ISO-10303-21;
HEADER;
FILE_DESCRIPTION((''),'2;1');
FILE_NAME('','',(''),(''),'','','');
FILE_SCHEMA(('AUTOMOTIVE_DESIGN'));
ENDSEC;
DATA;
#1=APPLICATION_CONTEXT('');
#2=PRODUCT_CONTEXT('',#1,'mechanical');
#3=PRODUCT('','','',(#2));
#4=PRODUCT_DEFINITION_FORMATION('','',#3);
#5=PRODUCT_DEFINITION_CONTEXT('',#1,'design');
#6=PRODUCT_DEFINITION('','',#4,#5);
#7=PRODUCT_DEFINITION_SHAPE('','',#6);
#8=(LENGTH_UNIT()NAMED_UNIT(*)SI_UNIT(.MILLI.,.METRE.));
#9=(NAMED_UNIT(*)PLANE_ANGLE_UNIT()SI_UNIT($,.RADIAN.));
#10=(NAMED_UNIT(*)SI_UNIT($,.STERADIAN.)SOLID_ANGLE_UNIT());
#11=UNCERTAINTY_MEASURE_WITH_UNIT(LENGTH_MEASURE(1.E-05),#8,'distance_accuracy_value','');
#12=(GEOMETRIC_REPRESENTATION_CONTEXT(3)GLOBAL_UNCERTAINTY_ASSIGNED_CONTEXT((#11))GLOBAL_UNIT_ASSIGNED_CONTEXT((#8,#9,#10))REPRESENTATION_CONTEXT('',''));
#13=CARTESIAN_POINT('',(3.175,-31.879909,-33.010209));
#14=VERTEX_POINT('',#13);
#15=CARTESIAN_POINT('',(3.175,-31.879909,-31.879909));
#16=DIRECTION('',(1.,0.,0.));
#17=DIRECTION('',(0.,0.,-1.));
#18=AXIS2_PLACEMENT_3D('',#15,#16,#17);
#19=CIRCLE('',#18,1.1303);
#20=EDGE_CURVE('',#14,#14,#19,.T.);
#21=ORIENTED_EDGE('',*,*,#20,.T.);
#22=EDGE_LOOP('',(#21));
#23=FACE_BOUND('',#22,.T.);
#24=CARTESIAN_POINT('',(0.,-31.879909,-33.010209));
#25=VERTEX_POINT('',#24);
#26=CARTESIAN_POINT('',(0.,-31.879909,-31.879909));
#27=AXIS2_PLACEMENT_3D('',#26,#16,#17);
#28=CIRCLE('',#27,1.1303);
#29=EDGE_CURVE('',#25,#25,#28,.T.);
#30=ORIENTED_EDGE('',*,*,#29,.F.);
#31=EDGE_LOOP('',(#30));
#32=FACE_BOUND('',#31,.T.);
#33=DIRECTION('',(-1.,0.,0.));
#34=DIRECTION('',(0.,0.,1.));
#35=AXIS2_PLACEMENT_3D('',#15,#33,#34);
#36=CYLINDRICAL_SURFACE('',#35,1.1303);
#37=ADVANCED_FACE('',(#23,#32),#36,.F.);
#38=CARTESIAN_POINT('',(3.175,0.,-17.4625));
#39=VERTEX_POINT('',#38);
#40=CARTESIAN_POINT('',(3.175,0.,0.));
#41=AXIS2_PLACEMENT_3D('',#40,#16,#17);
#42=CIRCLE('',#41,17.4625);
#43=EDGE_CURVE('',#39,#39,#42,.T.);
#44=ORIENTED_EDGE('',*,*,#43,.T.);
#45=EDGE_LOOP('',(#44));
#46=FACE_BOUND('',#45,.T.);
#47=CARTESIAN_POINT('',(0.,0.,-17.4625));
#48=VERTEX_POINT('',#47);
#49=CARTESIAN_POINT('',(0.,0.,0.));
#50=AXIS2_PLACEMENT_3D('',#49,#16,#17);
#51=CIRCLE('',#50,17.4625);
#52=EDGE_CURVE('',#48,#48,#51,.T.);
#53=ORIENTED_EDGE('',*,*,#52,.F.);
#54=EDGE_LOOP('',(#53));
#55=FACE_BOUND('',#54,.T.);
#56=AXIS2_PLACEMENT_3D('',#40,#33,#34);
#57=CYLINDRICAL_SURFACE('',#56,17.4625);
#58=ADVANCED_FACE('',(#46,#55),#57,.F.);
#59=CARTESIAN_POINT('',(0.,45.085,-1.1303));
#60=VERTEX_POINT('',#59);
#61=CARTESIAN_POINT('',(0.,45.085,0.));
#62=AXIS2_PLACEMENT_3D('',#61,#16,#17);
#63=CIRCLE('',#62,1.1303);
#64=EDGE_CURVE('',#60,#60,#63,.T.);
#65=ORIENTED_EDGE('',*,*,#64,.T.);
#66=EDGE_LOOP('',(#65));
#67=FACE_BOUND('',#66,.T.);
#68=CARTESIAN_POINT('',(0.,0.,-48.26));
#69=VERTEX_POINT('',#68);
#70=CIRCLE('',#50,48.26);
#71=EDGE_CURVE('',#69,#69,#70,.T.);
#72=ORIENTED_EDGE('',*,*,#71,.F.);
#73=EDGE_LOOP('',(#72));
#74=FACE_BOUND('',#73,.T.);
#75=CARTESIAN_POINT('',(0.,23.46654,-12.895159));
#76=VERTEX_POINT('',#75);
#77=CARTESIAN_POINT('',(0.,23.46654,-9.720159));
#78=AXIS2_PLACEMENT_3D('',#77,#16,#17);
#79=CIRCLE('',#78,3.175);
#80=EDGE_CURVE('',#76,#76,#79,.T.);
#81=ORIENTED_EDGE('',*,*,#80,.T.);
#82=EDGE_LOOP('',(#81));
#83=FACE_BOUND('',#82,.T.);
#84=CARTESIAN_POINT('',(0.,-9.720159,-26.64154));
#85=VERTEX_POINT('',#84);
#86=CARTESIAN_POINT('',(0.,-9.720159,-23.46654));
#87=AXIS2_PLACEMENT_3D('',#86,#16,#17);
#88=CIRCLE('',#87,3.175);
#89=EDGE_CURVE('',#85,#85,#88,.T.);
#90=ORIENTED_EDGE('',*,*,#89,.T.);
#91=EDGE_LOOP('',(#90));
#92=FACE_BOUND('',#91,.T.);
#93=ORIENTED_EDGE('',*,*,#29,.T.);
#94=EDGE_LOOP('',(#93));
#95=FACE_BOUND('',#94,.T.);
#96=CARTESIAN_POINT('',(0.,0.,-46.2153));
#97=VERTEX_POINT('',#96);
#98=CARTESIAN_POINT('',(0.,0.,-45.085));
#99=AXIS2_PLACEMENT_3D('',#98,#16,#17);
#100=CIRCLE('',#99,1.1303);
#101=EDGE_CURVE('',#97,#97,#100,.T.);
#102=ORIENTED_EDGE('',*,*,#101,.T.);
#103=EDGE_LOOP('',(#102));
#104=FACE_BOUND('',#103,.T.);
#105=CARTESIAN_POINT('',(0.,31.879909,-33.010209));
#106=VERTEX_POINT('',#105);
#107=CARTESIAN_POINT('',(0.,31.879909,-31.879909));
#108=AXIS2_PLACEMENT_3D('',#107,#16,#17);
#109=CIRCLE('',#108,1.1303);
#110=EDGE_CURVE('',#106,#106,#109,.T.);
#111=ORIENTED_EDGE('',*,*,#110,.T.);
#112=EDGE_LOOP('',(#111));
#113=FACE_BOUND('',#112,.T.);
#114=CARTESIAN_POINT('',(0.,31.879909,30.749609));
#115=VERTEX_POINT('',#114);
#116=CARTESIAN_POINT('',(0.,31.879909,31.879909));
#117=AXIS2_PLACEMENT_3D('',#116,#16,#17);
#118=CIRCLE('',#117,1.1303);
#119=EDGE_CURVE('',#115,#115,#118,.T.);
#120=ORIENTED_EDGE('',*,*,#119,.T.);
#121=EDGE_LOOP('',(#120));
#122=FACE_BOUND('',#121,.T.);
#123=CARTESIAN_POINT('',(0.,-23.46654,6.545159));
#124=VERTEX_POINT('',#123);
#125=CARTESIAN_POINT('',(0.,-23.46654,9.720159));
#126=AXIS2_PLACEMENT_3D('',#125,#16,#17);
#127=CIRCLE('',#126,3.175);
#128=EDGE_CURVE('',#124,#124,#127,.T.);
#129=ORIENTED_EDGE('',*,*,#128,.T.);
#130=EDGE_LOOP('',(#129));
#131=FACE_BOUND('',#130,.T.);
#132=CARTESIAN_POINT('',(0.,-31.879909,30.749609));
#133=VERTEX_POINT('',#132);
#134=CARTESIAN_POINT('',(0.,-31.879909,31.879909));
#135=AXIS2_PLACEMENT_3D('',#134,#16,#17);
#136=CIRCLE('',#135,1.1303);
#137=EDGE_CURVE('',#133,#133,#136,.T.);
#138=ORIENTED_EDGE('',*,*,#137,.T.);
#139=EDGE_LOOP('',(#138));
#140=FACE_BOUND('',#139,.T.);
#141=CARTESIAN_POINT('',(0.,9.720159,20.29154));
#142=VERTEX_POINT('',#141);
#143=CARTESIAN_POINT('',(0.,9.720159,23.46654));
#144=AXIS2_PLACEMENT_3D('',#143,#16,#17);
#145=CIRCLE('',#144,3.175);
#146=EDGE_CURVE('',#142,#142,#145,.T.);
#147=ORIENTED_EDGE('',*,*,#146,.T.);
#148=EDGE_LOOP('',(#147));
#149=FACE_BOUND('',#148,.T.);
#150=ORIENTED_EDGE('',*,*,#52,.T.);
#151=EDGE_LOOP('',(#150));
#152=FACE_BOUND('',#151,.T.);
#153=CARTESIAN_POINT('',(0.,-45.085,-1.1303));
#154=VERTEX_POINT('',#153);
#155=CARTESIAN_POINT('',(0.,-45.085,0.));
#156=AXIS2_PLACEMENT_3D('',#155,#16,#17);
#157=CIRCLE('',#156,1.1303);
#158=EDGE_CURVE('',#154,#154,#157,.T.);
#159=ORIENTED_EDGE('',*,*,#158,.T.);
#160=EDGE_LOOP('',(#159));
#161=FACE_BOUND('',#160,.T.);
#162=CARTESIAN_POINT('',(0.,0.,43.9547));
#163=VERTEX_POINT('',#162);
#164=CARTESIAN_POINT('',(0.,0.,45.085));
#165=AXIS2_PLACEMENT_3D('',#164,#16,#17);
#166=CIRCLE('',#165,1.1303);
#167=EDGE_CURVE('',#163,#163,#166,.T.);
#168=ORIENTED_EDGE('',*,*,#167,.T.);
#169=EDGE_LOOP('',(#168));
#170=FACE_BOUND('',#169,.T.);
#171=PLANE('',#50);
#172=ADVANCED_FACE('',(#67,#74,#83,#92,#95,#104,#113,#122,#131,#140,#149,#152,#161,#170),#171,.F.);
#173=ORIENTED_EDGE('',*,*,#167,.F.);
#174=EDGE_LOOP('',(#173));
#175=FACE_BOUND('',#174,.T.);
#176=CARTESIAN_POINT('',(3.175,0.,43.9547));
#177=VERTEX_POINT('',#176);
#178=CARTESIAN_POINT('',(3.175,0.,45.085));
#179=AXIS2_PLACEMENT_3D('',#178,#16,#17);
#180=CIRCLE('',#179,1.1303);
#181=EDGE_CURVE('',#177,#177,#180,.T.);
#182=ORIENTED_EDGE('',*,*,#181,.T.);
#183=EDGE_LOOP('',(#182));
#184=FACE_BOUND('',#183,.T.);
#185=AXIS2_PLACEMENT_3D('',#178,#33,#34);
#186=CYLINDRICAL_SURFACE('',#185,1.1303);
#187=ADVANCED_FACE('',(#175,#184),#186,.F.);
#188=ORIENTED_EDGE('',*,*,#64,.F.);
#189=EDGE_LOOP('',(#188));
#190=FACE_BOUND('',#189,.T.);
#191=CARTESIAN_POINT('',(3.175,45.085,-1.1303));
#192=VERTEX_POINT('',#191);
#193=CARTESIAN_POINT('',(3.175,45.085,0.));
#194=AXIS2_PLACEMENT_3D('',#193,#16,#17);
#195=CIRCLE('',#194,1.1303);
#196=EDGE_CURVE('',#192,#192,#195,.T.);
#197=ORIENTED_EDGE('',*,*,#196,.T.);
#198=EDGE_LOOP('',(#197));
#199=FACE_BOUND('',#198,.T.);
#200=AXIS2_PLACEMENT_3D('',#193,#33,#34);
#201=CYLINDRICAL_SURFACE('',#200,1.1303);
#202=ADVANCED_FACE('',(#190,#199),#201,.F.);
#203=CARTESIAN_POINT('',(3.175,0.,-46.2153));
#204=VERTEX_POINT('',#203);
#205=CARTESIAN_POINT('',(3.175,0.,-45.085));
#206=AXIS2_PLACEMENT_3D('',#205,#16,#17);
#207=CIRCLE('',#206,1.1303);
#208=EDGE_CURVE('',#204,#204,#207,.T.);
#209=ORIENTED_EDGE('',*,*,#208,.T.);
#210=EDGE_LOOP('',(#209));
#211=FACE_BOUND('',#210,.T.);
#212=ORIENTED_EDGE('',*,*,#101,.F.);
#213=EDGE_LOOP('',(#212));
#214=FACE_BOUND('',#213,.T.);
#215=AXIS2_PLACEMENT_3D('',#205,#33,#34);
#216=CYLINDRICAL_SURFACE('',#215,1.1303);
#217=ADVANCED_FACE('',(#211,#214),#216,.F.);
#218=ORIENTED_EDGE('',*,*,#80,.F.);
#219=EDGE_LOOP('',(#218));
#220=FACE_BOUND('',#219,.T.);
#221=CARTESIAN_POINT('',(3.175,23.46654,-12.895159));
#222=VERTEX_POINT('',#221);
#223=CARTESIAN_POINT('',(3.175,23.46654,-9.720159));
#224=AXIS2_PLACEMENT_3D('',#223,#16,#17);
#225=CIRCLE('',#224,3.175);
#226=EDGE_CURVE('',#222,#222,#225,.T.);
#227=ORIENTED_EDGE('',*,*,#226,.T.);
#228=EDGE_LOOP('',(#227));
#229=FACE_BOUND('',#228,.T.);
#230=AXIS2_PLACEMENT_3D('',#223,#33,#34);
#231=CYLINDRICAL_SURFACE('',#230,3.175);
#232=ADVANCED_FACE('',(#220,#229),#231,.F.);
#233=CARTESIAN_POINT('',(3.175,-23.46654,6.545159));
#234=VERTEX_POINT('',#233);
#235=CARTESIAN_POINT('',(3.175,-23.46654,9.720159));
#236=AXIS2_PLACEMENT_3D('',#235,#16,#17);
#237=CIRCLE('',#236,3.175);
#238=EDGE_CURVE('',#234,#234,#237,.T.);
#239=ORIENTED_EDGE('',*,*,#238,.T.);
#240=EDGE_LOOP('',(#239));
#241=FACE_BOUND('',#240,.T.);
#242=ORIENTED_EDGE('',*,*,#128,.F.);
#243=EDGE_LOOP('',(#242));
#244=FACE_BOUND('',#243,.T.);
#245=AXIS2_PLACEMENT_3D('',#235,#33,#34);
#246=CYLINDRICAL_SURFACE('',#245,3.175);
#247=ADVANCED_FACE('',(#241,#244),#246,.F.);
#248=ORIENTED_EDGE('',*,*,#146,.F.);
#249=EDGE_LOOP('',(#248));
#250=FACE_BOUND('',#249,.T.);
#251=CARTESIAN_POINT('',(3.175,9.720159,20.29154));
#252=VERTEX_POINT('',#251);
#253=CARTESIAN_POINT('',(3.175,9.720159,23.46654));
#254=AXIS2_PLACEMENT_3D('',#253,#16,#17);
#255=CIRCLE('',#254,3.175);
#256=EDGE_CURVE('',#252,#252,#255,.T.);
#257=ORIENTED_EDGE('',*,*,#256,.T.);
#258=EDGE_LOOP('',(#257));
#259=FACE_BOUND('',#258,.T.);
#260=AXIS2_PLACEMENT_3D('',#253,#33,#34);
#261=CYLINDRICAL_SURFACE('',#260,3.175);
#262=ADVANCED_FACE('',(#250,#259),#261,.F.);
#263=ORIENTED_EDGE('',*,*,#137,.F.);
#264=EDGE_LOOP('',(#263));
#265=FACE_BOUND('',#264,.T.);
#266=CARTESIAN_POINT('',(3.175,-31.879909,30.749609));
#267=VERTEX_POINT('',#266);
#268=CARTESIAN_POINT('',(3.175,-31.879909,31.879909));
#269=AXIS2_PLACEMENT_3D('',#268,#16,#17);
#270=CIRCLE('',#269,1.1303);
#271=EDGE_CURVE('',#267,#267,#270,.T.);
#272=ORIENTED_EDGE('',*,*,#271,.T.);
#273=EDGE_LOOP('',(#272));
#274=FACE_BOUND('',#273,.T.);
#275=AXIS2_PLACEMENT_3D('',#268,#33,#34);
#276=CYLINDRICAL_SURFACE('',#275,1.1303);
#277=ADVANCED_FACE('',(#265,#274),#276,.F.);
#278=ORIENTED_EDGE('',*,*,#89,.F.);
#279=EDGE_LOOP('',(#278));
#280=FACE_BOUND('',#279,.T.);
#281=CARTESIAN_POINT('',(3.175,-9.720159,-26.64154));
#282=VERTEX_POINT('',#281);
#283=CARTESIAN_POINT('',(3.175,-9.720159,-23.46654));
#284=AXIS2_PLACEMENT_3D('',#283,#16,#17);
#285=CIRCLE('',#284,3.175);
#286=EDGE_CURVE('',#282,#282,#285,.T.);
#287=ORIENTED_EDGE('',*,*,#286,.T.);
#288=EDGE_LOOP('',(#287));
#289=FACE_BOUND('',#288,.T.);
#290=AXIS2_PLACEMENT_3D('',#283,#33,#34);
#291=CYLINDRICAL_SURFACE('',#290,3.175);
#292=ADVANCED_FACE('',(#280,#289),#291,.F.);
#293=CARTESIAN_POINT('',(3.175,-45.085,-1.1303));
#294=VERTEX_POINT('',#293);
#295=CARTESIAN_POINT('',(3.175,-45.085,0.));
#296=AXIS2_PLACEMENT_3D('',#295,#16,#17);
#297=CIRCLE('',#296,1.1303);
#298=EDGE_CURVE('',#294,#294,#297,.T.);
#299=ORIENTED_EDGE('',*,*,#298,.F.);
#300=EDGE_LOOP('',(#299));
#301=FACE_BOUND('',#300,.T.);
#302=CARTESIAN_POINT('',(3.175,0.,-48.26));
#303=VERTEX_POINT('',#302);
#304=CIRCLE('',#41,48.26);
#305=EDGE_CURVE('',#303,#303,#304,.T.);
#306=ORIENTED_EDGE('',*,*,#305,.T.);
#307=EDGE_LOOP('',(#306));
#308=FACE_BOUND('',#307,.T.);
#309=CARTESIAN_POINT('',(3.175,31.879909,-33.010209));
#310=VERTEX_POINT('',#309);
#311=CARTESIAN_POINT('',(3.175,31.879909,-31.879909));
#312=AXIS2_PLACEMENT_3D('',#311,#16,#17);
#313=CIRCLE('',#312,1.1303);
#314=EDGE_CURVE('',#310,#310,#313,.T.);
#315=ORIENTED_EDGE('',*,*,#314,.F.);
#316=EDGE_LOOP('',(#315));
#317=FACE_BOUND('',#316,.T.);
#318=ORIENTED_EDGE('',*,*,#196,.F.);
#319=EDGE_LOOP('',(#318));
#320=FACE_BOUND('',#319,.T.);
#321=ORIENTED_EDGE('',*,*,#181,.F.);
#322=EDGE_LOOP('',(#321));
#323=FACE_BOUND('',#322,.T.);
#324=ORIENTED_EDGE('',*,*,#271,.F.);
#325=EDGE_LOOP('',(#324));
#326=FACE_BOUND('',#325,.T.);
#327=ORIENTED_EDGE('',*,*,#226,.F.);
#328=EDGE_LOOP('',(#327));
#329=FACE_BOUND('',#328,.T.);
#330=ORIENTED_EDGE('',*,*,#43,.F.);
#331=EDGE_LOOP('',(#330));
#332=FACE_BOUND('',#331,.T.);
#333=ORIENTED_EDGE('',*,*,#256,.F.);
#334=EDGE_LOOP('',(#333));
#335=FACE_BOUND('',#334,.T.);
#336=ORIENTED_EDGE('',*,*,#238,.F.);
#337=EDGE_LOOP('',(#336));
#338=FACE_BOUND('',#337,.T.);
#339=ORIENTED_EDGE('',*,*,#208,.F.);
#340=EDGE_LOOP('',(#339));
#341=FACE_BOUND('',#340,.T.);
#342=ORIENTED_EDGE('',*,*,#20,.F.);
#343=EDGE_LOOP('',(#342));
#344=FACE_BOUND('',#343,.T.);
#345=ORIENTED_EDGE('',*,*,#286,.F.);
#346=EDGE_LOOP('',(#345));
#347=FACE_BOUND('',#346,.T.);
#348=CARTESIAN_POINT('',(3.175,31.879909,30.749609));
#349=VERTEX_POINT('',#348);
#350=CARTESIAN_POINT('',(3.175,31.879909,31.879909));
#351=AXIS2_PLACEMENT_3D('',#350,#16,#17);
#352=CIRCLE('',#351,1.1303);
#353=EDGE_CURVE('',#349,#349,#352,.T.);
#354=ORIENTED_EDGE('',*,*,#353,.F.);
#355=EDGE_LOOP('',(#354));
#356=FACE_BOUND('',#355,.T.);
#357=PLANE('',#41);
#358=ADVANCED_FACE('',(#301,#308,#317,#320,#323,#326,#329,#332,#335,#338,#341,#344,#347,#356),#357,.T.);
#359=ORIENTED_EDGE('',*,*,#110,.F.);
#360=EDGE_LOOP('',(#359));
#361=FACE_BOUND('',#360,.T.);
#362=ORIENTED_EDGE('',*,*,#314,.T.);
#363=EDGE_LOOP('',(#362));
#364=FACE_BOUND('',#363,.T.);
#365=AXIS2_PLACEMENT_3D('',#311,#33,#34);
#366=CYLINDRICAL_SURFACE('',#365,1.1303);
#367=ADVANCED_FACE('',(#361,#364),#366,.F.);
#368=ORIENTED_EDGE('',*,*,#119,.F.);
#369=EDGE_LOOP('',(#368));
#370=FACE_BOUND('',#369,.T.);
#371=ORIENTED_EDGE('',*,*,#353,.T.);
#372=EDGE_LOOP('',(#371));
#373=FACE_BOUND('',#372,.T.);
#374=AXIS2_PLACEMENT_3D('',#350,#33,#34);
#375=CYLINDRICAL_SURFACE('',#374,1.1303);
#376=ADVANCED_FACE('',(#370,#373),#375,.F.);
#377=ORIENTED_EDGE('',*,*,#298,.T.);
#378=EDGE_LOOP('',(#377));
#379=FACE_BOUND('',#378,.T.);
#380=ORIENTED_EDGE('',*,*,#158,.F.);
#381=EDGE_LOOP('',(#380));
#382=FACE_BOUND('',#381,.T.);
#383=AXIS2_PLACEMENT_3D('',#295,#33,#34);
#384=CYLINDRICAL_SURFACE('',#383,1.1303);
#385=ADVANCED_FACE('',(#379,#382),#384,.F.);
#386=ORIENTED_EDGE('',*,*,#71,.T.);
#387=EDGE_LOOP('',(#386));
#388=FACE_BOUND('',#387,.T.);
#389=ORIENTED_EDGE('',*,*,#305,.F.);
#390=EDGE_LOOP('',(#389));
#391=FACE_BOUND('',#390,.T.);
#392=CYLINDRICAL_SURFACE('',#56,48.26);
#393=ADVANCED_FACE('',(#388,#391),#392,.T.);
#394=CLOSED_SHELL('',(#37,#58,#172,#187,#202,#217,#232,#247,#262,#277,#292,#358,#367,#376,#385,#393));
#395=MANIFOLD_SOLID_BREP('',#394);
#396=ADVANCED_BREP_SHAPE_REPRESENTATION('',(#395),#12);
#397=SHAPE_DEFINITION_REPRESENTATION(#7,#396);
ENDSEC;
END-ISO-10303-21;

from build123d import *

# Parameters (mm, degrees)
SKETCH1_R           = 48.26
SKETCH1_R_2         = 1.1303
SKETCH1_R_3         = 17.4625
SKETCH1_R_4         = 3.175
BOSS_EXTRUDE1_DEPTH = 3.175


with BuildPart() as part:
    # Sketch1 → Boss-Extrude1 (new body)
    with BuildSketch(Plane(origin=(0, 0, 0), x_dir=(0, 0, -1), z_dir=(1, 0, 0))):
        Circle(SKETCH1_R)
        with Locations((0, 45.085)):
            Circle(SKETCH1_R_2, mode=Mode.SUBTRACT)
        with Locations((31.87990923, 31.87990923)):
            Circle(SKETCH1_R_2, mode=Mode.SUBTRACT)
        with Locations((45.085, 0)):
            Circle(SKETCH1_R_2, mode=Mode.SUBTRACT)
        with Locations((31.87990923, -31.87990923)):
            Circle(SKETCH1_R_2, mode=Mode.SUBTRACT)
        with Locations((0, -45.085)):
            Circle(SKETCH1_R_2, mode=Mode.SUBTRACT)
        with Locations((-31.87990923, -31.87990923)):
            Circle(SKETCH1_R_2, mode=Mode.SUBTRACT)
        with Locations((-45.085, 0)):
            Circle(SKETCH1_R_2, mode=Mode.SUBTRACT)
        with Locations((-31.87990923, 31.87990923)):
            Circle(SKETCH1_R_2, mode=Mode.SUBTRACT)
        Circle(SKETCH1_R_3, mode=Mode.SUBTRACT)
        with Locations((9.720159182, 23.466540126)):
            Circle(SKETCH1_R_4, mode=Mode.SUBTRACT)
        with Locations((23.466540126, -9.720159182)):
            Circle(SKETCH1_R_4, mode=Mode.SUBTRACT)
        with Locations((-9.720159182, -23.466540126)):
            Circle(SKETCH1_R_4, mode=Mode.SUBTRACT)
        with Locations((-23.466540126, 9.720159182)):
            Circle(SKETCH1_R_4, mode=Mode.SUBTRACT)
    extrude(amount=BOSS_EXTRUDE1_DEPTH)


solid = part.part
